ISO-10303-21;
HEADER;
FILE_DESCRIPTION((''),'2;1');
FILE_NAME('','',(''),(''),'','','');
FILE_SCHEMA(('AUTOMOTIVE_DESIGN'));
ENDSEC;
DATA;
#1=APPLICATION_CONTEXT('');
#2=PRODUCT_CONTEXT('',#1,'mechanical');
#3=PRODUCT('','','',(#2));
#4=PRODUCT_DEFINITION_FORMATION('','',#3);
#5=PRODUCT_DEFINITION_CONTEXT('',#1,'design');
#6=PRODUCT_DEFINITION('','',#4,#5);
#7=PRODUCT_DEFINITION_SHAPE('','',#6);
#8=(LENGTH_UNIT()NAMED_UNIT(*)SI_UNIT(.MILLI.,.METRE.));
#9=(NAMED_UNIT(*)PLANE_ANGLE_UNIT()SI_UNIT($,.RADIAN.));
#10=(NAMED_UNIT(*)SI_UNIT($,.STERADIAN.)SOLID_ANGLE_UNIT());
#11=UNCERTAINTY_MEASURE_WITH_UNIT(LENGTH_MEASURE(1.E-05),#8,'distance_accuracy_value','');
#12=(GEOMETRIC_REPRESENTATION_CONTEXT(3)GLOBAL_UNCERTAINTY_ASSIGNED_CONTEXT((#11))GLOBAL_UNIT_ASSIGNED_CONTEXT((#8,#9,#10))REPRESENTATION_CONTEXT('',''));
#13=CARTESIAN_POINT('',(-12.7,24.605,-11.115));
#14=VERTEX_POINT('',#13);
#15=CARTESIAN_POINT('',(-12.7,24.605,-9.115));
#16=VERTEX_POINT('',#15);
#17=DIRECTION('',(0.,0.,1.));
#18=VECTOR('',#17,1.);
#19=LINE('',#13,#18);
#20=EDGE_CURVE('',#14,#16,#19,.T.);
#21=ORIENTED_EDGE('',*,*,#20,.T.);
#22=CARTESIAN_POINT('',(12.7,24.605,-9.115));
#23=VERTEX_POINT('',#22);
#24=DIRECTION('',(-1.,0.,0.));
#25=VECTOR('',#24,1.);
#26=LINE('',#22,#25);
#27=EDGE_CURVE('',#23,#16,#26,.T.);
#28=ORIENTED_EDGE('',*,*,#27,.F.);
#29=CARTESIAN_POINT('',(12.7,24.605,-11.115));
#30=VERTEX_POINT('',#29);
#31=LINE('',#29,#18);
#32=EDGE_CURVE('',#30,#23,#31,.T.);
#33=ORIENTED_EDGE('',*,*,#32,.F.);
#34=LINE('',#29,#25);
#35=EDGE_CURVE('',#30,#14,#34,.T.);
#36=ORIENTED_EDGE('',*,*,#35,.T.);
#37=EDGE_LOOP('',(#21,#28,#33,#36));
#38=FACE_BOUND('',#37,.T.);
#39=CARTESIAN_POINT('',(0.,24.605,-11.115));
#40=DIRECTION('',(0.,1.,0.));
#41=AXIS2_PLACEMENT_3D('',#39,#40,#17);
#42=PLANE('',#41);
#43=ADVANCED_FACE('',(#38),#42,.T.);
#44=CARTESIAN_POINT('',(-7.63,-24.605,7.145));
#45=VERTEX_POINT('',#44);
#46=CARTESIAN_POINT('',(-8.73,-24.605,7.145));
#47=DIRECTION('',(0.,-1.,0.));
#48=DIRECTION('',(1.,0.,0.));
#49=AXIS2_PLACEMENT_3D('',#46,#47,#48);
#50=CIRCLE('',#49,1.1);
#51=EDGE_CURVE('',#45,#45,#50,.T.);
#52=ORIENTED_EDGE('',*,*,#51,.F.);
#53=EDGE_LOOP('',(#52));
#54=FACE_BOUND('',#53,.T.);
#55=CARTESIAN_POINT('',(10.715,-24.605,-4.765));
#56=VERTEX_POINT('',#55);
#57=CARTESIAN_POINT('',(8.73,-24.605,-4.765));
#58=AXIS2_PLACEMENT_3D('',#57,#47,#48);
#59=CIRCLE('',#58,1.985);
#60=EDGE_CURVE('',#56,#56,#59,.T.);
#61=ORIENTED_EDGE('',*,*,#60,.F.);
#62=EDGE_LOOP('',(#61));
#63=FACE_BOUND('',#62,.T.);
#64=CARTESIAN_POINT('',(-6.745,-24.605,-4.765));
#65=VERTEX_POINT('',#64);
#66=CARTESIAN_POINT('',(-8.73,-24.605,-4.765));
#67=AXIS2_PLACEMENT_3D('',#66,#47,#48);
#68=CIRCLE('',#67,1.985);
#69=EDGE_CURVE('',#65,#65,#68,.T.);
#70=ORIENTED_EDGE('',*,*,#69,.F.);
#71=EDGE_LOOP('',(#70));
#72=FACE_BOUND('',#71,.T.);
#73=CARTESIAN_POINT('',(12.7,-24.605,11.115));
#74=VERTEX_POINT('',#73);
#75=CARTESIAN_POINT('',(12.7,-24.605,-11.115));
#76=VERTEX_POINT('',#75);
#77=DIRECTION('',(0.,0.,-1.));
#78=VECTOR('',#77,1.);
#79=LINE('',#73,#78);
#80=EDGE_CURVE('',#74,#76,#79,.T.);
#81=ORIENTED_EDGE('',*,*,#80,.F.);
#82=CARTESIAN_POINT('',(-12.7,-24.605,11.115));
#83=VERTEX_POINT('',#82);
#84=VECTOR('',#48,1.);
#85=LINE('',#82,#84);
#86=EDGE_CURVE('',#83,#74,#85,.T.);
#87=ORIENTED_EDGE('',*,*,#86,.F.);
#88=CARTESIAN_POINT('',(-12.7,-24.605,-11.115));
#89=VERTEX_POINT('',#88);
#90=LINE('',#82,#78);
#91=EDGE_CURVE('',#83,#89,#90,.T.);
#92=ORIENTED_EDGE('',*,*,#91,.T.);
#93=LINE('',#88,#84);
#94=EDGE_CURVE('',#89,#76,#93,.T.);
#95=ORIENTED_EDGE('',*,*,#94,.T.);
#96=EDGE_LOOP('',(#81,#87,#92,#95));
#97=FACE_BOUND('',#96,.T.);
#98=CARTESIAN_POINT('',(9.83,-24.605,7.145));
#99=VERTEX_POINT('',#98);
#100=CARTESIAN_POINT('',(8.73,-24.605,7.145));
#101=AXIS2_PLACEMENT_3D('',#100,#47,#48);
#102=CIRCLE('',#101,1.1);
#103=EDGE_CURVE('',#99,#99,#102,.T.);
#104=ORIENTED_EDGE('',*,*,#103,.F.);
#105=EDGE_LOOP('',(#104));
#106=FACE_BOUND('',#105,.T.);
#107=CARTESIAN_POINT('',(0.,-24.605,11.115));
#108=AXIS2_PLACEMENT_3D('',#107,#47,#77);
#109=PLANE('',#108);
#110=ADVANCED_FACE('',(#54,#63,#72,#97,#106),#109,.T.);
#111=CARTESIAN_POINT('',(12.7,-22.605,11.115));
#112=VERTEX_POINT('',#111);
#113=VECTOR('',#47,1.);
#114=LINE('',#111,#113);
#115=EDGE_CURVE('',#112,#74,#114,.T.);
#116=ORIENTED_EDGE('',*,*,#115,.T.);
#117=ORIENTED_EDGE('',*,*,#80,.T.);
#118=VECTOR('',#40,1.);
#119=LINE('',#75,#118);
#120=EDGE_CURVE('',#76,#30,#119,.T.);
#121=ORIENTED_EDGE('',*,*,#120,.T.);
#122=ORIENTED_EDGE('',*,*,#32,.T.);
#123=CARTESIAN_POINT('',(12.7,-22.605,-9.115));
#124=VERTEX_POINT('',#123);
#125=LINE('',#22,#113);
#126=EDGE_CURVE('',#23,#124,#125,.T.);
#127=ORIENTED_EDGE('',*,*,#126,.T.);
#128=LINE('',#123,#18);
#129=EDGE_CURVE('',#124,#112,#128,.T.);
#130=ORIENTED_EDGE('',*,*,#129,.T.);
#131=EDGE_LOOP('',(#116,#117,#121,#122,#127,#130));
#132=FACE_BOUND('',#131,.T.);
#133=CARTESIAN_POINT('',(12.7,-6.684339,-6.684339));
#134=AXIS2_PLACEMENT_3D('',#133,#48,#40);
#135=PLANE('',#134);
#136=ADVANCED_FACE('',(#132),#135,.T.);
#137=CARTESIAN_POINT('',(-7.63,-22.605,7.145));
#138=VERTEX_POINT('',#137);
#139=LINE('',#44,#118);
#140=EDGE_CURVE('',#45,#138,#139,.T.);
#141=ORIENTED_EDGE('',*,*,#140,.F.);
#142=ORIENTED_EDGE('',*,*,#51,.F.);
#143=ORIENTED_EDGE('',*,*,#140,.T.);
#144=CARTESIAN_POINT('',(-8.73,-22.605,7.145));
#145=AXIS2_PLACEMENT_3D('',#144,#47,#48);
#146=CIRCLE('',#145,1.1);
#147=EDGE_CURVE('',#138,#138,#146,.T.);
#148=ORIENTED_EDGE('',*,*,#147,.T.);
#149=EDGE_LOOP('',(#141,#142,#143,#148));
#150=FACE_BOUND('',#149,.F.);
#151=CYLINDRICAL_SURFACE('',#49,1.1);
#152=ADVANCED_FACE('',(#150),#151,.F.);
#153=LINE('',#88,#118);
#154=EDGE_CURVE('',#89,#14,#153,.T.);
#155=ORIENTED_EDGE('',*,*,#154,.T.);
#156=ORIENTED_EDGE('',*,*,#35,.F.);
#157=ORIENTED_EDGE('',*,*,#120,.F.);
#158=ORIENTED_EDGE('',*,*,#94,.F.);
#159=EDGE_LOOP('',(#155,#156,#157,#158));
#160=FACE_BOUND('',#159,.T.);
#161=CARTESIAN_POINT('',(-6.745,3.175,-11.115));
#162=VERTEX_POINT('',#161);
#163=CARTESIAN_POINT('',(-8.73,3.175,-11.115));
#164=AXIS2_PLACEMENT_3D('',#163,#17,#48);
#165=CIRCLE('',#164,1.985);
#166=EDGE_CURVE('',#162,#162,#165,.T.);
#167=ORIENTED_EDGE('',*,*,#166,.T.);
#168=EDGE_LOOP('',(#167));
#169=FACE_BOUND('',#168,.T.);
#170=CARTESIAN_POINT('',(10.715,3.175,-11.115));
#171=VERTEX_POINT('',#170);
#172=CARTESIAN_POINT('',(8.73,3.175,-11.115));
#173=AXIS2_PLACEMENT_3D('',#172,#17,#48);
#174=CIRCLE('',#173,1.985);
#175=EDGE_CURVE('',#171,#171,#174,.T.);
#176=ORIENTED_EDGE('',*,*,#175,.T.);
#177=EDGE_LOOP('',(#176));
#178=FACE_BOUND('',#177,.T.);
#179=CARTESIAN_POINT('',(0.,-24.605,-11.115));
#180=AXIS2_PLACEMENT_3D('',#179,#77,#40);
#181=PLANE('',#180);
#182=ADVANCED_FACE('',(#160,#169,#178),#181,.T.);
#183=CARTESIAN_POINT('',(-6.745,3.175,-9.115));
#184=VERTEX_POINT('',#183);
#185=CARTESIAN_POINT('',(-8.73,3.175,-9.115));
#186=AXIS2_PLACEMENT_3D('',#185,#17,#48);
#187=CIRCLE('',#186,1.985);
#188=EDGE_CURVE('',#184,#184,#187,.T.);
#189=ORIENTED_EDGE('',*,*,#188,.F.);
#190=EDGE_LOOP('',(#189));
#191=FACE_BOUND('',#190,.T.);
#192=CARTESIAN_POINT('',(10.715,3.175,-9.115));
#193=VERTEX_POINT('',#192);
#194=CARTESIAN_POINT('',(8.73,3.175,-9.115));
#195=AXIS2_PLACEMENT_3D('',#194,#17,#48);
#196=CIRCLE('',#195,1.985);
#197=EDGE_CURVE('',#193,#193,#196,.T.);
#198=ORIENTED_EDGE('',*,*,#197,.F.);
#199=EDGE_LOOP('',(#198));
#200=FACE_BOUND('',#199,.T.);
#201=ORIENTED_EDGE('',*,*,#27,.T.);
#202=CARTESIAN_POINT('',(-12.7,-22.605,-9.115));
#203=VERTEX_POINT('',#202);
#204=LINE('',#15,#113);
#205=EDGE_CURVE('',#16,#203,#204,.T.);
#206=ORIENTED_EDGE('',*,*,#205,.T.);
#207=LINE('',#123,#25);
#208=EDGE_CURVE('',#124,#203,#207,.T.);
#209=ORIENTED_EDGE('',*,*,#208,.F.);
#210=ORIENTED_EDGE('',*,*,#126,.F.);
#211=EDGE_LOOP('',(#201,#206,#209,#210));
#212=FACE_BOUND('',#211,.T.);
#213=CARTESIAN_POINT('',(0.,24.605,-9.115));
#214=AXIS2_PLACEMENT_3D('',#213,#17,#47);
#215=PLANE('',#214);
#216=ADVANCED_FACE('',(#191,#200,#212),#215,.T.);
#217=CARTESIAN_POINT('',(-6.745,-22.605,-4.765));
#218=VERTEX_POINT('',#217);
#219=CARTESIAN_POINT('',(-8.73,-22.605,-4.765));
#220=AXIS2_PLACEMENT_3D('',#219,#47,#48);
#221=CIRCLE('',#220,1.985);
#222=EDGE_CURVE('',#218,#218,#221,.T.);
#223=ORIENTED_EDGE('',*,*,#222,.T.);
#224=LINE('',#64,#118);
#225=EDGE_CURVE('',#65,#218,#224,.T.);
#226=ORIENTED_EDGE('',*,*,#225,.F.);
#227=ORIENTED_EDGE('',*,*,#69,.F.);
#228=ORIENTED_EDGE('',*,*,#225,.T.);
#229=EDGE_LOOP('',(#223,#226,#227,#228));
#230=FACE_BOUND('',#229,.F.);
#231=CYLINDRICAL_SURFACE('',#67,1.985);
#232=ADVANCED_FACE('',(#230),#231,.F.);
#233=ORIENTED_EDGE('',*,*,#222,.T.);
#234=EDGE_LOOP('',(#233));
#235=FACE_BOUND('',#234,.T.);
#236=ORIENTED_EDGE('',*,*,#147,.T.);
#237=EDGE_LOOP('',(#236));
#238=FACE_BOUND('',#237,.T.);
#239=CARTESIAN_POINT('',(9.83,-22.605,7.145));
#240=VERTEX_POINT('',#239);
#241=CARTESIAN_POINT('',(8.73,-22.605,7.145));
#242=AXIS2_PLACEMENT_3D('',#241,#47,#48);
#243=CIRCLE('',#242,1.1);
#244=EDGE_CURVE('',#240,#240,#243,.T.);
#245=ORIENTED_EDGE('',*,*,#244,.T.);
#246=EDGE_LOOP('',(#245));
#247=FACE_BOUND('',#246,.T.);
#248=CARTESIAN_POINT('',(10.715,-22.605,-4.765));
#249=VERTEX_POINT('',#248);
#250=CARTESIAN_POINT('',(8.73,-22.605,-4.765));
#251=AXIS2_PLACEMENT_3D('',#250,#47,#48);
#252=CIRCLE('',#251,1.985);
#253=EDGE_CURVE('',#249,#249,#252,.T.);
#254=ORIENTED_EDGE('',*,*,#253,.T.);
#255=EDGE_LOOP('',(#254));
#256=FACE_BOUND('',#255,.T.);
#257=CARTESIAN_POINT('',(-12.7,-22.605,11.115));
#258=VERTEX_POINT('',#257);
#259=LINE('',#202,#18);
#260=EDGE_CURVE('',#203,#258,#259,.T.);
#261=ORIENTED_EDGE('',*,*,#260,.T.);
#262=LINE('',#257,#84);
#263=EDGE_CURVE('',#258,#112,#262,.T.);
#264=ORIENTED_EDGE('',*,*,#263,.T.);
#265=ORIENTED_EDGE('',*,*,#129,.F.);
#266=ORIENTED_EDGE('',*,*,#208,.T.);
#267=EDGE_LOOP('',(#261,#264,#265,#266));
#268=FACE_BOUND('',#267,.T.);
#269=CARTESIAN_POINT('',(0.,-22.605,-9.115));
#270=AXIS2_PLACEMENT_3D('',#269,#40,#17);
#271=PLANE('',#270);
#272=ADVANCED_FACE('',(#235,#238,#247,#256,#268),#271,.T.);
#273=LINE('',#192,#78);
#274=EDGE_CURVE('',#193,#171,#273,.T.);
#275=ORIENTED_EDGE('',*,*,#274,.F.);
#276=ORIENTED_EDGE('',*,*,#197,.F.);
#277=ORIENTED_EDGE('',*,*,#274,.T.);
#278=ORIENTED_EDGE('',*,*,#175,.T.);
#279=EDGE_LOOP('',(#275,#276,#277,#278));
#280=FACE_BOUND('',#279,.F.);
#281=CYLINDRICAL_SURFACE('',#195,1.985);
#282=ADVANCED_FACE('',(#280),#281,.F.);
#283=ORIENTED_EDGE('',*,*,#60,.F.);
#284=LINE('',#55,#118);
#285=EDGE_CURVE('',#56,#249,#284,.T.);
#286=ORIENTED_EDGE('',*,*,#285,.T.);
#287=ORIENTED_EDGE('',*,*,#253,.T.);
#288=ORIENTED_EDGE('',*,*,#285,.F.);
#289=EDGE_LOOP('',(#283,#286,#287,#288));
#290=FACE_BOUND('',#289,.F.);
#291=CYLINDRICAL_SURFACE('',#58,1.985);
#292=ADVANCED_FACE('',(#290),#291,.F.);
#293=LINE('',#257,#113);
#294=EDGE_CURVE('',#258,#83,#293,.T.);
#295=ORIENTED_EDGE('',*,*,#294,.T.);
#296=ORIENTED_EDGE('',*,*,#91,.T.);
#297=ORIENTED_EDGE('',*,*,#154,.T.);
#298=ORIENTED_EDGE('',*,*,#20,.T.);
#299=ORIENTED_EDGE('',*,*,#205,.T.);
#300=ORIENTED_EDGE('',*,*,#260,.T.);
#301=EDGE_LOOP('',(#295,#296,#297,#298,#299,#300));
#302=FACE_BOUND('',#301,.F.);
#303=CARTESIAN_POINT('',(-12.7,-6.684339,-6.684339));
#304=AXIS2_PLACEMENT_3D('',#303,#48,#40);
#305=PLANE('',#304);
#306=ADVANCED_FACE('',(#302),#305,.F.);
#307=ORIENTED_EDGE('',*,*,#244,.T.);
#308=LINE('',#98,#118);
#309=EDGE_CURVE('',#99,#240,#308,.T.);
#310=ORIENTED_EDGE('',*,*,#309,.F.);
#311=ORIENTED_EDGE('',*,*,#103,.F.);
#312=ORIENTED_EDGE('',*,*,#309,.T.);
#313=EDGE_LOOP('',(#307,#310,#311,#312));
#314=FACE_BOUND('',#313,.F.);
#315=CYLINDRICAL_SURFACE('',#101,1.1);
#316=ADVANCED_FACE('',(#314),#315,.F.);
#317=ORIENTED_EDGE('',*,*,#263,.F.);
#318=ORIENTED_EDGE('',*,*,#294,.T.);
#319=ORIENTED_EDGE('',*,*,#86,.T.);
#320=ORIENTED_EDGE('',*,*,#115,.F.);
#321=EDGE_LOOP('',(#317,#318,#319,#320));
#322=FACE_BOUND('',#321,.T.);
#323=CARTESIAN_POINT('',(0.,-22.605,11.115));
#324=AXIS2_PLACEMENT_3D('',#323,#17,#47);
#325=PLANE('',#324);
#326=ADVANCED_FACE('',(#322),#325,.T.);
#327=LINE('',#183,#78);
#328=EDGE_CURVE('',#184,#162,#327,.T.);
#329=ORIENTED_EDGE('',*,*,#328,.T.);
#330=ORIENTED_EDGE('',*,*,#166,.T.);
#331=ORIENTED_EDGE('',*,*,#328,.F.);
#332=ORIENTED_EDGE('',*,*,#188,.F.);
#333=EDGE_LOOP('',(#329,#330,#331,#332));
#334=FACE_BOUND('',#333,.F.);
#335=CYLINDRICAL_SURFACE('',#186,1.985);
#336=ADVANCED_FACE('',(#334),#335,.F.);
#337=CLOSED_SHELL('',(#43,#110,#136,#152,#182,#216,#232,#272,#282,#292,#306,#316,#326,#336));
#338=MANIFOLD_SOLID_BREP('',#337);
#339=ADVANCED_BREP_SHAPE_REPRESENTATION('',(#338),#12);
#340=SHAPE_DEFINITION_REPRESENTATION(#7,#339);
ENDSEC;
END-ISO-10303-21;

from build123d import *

# Parameters (mm, degrees)
F1_DEPTH = 12.7
F3_R     = 1.985
F3_R_2   = 1.1
F4_DEPTH = 49.211
F2_R     = 1.985
F5_DEPTH = 2.001


with BuildPart() as f1:
    # F0 (on Right) → F1 (new body, symmetric)
    with BuildSketch(Plane.YZ):
        Polygon((-22.605, -9.115), (-22.605, 11.115), (-24.605, 11.115), (-24.605, -11.115), (24.605, -11.115), (24.605, -9.115), align=None)
    extrude(amount=F1_DEPTH, both=True)

    # F3 (on face) → F4 (cut, through all)
    with BuildSketch(Plane.XZ.offset(24.605)):
        with Locations((8.73, -4.765)):
            Circle(F3_R)
        with Locations((8.73, 7.145)):
            Circle(F3_R_2)
        with Locations((-8.73, -4.765)):
            Circle(F3_R)
        with Locations((-8.73, 7.145)):
            Circle(F3_R_2)
    extrude(amount=-F4_DEPTH, mode=Mode.SUBTRACT)

    # F2 (on face) → F5 (cut, through all)
    with BuildSketch(Plane.XY.offset(-9.115)):
        with Locations((-8.73, 3.175)):
            Circle(F2_R)
        with Locations((8.73, 3.175)):
            Circle(F2_R)
    extrude(amount=-F5_DEPTH, mode=Mode.SUBTRACT)


solid = f1.part
